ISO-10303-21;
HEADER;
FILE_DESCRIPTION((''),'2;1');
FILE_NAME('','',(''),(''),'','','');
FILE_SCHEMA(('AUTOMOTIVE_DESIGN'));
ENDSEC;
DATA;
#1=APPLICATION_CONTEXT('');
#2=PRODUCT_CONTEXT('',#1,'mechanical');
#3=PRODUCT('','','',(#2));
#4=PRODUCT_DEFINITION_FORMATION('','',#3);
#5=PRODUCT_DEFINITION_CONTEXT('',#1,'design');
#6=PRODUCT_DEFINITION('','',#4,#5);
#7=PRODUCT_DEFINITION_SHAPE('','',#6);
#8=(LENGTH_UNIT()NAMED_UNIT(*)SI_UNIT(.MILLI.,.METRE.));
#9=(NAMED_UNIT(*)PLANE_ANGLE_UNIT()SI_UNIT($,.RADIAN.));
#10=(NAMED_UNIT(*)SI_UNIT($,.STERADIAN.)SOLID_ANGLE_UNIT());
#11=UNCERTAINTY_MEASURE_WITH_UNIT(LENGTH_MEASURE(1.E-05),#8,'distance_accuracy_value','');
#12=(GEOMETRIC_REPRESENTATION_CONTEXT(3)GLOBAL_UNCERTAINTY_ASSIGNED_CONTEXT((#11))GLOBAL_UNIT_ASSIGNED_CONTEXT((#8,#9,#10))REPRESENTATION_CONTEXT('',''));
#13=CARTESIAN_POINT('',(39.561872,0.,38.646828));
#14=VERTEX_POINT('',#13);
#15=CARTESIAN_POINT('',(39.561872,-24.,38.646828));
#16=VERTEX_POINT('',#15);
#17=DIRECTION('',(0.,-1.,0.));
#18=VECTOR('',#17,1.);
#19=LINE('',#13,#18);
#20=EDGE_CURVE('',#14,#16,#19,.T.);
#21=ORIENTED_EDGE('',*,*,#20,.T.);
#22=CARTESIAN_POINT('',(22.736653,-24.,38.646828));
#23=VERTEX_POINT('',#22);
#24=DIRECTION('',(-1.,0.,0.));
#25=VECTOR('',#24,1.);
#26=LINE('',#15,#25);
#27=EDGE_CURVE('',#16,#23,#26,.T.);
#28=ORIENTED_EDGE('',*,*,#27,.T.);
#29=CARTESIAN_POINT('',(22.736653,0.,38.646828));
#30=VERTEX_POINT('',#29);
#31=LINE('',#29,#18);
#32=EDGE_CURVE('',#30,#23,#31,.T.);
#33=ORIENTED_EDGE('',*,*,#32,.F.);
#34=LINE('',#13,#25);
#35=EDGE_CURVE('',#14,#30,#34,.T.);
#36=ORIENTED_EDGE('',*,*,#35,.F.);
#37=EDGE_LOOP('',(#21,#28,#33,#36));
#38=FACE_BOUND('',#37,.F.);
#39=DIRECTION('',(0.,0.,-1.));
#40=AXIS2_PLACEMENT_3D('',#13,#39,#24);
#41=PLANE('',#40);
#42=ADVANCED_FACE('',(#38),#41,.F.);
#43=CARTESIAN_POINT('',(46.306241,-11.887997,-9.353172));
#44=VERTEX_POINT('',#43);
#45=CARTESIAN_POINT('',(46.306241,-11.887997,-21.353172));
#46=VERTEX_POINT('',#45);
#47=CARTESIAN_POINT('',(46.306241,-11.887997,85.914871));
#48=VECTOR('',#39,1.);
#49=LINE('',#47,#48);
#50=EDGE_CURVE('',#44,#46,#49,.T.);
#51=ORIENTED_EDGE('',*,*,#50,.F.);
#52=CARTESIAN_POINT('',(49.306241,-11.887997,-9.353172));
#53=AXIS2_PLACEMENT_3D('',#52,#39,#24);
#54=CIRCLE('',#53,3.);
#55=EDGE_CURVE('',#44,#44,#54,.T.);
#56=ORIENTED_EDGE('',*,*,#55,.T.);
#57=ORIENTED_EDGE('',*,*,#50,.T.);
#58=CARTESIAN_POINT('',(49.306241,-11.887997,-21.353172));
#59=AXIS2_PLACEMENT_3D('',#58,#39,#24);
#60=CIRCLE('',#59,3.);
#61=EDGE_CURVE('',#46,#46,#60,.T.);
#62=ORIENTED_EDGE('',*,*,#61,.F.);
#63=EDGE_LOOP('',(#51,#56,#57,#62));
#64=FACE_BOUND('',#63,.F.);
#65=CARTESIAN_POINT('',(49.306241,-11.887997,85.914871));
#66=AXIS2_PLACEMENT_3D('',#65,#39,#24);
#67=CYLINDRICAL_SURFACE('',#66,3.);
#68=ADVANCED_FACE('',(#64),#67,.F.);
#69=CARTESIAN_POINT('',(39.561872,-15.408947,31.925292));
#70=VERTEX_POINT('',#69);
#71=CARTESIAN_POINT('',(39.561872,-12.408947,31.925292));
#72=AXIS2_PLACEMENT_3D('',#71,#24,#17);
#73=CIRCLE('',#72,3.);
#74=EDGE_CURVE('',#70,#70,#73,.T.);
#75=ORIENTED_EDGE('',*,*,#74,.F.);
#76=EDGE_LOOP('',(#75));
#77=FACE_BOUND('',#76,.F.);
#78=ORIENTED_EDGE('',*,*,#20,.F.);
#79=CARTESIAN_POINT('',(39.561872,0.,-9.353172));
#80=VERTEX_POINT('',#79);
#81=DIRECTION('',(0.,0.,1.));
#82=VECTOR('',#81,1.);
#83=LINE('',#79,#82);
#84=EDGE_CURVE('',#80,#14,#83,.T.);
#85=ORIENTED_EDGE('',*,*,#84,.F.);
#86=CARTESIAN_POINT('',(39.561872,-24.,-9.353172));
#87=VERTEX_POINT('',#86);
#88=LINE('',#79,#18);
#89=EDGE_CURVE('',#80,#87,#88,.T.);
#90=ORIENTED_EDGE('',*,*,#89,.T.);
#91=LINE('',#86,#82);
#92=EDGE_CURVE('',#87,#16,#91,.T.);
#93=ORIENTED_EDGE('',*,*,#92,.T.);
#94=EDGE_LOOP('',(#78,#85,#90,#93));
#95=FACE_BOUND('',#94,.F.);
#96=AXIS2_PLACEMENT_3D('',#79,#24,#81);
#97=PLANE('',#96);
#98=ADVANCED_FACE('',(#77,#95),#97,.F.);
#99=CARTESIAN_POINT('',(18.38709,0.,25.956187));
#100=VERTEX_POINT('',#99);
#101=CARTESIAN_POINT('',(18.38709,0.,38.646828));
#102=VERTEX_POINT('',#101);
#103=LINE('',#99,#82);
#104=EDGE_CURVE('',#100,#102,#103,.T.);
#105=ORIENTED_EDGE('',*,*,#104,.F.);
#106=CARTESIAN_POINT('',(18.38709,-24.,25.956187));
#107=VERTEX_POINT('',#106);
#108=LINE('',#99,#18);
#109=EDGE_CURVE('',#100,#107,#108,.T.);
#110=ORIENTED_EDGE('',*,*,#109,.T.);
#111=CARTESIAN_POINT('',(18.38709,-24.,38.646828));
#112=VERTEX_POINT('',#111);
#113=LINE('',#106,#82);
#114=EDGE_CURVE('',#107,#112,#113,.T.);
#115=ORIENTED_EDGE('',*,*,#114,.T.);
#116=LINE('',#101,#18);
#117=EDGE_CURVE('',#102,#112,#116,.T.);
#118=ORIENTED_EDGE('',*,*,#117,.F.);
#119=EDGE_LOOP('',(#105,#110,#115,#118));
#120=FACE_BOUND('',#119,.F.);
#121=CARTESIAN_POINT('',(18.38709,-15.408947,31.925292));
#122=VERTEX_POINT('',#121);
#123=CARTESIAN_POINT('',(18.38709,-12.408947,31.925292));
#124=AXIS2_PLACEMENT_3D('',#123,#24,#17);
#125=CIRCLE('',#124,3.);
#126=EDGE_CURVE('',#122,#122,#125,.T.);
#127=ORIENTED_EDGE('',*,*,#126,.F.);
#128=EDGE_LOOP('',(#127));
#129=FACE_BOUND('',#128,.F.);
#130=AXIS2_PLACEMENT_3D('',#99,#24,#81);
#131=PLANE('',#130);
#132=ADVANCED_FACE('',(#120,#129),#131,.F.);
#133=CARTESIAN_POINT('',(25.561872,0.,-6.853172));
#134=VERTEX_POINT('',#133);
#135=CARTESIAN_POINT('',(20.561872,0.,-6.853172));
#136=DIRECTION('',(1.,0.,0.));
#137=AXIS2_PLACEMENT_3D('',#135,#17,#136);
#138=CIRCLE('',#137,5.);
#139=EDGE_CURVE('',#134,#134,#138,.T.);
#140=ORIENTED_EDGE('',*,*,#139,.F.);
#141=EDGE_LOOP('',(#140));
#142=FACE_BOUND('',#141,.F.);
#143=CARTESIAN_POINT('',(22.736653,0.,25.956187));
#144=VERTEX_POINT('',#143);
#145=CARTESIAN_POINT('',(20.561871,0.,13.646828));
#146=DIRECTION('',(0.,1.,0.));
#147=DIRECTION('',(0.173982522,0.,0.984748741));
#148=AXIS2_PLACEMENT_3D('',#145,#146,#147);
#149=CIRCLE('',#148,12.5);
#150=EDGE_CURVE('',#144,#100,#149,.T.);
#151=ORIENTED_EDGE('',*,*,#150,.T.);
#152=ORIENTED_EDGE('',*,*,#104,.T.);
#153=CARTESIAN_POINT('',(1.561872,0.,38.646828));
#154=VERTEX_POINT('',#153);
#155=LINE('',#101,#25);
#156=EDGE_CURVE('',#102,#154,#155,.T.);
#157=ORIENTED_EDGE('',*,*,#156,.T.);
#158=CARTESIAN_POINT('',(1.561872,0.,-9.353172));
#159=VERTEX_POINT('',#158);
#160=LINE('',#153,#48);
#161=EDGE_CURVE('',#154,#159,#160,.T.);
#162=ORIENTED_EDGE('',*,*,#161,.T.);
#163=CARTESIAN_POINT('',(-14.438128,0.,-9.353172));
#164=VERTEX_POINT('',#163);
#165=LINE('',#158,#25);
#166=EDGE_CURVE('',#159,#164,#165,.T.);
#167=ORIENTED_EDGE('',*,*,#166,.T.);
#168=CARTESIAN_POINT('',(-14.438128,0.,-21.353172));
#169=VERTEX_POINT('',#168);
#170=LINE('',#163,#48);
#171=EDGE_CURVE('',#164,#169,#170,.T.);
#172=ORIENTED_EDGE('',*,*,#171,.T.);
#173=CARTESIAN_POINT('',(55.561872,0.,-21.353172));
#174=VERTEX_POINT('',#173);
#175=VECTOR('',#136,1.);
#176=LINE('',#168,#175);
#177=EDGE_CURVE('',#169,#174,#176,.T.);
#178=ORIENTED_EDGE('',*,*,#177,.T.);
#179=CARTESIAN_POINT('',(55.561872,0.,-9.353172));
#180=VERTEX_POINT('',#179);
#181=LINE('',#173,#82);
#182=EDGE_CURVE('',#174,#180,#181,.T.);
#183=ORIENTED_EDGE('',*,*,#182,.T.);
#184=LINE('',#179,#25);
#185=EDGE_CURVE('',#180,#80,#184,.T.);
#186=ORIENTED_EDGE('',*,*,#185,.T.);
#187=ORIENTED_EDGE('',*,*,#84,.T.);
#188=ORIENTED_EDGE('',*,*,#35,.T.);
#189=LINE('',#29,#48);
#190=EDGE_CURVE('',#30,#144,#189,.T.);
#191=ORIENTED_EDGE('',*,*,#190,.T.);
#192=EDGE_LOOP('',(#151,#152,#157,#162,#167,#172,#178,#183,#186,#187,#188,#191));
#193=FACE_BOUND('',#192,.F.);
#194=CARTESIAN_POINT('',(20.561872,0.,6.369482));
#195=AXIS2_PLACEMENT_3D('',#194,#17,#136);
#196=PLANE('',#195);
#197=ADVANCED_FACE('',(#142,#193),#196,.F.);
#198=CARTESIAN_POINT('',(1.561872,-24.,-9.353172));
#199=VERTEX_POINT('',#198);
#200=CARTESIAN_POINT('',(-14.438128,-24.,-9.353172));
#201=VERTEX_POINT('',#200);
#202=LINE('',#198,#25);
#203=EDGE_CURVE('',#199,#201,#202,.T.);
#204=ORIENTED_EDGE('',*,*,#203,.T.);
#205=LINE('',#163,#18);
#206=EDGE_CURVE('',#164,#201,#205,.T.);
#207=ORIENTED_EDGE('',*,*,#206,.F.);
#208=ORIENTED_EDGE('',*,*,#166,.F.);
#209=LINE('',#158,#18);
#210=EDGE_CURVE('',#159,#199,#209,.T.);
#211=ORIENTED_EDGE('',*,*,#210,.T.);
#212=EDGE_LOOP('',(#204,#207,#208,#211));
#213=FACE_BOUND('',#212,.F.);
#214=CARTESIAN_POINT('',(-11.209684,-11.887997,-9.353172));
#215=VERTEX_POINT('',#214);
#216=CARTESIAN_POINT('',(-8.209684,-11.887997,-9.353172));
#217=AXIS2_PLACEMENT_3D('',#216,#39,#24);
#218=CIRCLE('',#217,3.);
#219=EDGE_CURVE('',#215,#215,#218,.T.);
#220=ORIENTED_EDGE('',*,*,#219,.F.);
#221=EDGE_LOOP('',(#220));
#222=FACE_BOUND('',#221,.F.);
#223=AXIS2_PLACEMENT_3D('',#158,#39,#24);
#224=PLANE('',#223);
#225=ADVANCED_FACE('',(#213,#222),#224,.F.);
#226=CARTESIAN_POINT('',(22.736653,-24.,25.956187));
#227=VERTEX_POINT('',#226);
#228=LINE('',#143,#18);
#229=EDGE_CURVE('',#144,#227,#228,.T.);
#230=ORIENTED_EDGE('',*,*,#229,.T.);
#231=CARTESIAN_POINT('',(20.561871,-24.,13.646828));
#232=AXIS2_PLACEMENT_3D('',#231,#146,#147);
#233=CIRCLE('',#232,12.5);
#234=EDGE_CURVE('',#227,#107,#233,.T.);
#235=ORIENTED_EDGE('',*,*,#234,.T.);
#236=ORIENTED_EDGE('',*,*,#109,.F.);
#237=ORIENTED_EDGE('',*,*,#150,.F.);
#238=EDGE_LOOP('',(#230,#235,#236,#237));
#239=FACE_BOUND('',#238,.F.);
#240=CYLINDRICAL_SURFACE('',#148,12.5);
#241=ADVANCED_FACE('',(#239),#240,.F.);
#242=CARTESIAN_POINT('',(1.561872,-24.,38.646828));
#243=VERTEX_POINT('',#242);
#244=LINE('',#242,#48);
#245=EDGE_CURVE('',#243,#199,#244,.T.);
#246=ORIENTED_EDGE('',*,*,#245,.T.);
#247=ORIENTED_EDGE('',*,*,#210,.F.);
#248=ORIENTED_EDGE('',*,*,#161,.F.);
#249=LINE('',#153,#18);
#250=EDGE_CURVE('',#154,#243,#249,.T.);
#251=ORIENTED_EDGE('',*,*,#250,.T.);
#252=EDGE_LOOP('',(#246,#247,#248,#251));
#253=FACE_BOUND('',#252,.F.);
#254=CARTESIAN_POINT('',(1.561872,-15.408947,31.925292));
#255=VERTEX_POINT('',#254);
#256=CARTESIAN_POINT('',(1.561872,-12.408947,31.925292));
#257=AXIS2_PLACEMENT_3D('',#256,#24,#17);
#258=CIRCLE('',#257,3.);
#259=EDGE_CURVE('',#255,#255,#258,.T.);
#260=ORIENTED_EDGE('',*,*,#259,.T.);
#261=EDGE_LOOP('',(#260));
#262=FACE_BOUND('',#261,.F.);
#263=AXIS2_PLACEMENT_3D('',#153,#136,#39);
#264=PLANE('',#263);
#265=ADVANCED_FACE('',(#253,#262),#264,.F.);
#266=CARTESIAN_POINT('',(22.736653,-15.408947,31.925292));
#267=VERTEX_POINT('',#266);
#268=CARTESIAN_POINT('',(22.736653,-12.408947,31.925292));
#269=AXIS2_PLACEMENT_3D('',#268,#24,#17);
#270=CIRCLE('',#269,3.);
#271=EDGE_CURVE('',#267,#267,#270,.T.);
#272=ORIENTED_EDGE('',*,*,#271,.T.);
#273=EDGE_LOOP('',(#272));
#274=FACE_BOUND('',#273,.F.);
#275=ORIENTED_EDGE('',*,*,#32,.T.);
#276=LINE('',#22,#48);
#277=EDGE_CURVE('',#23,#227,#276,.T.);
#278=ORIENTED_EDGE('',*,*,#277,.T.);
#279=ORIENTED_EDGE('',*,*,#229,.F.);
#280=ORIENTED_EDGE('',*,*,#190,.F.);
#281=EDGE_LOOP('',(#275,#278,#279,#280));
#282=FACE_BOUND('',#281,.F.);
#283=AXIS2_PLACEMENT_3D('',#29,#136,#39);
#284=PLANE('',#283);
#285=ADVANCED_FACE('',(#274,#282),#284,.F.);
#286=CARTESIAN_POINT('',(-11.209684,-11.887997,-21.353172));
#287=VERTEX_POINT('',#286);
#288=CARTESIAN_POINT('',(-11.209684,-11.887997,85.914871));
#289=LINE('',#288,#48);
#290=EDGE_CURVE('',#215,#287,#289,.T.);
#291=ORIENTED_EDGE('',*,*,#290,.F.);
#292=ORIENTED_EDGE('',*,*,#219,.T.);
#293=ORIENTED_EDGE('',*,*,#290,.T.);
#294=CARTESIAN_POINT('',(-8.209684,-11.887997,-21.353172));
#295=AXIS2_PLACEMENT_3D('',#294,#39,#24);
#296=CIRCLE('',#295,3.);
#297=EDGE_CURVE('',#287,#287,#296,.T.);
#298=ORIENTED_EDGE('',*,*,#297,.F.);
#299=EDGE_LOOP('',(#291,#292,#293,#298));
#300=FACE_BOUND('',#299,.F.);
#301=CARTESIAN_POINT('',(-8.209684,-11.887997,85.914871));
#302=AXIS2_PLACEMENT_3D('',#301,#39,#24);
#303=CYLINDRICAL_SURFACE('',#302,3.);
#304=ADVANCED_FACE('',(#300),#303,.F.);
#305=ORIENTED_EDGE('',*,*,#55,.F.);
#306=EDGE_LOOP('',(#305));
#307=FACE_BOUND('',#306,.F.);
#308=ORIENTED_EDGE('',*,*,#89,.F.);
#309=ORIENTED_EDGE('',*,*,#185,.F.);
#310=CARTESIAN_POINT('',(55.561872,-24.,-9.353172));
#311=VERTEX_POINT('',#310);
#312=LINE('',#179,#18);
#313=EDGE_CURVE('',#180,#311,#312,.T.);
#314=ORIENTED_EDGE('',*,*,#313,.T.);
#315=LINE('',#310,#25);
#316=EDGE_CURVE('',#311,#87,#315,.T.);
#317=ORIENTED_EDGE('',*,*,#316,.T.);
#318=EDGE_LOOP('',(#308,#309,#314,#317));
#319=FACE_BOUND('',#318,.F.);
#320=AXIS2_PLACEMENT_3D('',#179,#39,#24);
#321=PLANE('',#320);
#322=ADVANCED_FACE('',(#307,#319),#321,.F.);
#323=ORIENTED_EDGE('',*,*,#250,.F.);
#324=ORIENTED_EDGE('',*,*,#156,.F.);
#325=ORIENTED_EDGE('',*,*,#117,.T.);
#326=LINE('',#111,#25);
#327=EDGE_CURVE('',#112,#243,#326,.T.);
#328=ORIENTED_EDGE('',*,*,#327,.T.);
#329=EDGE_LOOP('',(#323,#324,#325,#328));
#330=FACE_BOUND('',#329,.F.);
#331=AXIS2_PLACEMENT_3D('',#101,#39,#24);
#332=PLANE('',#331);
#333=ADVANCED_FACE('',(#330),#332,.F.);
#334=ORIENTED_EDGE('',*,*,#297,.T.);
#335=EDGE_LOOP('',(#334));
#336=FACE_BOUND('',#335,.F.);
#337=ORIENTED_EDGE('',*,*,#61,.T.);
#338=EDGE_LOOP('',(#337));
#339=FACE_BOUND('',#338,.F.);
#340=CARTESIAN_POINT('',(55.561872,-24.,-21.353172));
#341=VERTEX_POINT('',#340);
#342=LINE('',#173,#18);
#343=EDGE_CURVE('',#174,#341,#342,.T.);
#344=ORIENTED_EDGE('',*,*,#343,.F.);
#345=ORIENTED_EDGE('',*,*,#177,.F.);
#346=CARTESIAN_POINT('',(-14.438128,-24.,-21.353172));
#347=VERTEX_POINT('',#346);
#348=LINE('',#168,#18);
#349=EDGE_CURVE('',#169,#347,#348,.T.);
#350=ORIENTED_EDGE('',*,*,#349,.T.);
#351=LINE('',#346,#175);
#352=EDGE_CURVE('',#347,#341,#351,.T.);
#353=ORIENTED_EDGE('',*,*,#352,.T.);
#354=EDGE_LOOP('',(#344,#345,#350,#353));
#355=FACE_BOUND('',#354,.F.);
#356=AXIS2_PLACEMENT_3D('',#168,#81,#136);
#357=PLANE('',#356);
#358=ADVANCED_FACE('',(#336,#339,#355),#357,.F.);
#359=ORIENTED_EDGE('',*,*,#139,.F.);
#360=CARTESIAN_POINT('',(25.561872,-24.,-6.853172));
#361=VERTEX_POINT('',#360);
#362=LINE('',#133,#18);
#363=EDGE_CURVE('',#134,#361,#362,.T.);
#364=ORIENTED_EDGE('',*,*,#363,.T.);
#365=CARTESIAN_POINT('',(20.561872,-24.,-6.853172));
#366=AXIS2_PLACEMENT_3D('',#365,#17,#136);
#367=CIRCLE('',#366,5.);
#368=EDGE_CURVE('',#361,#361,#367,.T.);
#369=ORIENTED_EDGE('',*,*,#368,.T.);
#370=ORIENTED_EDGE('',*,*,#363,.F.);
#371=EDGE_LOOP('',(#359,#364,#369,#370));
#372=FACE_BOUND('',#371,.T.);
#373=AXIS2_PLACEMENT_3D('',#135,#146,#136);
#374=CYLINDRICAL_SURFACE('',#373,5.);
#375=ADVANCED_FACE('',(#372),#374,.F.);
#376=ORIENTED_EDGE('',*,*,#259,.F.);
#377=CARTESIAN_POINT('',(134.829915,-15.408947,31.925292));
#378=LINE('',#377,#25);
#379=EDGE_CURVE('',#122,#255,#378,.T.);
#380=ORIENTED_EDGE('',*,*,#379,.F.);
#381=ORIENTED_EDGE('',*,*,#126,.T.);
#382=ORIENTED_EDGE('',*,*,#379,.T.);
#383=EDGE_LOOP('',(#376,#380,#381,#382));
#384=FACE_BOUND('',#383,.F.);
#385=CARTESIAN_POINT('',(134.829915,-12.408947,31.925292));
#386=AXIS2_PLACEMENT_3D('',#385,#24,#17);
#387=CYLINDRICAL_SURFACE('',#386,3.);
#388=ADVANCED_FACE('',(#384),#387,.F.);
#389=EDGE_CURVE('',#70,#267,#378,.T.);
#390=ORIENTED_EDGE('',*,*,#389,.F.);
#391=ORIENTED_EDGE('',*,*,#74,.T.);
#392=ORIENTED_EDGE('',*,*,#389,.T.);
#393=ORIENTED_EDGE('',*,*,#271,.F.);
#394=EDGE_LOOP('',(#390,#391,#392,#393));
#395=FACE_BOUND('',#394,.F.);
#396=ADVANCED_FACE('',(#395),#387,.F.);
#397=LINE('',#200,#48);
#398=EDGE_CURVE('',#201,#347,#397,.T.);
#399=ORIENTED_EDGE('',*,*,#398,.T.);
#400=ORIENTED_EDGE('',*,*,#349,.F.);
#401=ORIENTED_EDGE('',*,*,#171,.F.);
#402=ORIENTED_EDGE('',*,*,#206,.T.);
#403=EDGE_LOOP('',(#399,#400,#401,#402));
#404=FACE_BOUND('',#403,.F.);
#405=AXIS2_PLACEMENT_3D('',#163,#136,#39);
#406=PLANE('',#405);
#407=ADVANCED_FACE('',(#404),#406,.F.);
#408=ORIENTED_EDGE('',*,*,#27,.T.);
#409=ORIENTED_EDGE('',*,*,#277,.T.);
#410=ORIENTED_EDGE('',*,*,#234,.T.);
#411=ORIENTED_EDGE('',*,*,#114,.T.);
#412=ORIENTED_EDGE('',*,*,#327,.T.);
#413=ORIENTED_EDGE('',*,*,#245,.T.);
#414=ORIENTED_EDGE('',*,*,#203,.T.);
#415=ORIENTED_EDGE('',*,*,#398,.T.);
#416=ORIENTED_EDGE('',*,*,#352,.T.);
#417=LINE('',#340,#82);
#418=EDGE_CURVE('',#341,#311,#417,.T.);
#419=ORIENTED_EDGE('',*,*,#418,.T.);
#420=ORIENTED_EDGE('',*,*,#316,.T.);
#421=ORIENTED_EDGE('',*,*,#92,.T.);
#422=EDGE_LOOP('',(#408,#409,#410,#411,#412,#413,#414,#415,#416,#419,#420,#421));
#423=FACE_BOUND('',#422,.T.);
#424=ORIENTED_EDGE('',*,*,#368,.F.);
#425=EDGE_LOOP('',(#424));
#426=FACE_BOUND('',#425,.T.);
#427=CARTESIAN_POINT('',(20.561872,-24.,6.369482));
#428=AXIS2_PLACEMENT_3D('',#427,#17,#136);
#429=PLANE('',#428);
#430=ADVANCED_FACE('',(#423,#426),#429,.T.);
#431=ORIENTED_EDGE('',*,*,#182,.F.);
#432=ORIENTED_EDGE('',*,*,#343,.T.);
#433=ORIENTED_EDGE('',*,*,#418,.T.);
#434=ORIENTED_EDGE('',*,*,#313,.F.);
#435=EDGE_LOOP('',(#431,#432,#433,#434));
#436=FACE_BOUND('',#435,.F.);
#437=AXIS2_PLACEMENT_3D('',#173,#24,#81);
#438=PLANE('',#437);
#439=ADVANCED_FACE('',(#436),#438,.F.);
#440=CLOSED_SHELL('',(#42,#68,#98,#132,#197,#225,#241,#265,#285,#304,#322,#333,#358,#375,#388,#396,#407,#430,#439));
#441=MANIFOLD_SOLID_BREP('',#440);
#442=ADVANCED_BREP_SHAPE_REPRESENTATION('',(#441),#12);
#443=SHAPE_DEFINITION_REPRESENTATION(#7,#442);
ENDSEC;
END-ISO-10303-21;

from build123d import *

# Parameters (mm, degrees)
F0_R     = 5
F1_DEPTH = 24
F3_D     = 6
F5_D     = 6


with BuildPart() as f1:
    # F0 (on Front) → F1 (new body)
    with BuildSketch(Plane.XZ):
        with BuildLine():
            Line((18.38709, 38.646828), (1.561872, 38.646828))
            Line((1.561872, 38.646828), (1.561872, -9.353172))
            Line((1.561872, -9.353172), (-14.438128, -9.353172))
            Line((-14.438128, -9.353172), (-14.438128, -21.353172))
            Line((-14.438128, -21.353172), (1.561872, -21.353172))
            Line((1.561872, -21.353172), (39.561872, -21.353172))
            Line((39.561872, -21.353172), (55.561872, -21.353172))
            Line((55.561872, -21.353172), (55.561872, -9.353172))
            Line((55.561872, -9.353172), (39.561872, -9.353172))
            Line((39.561872, -9.353172), (39.561872, 38.646828))
            Line((39.561872, 38.646828), (22.736653, 38.646828))
            Line((22.736653, 38.646828), (22.736653, 25.956187))
            ThreePointArc((22.736653, 25.956187), (20.561872, 1.146828), (18.38709, 25.956187))
            Line((18.38709, 25.956187), (18.38709, 38.646828))
        make_face()
        with Locations((20.561872, -6.853172)):
            Circle(F0_R, mode=Mode.SUBTRACT)
    extrude(amount=F1_DEPTH)

    # F3 (through all)
    with Locations(Plane.YZ.offset(39.561872)):
        with Locations((-12.408947, 31.925292)):
            Hole(F3_D / 2)

    # F5 (through all)
    with Locations(Plane.XY.offset(-9.353172)):
        with Locations((-8.209684, -11.887997), (49.306241, -11.887997)):
            Hole(F5_D / 2)


solid = f1.part
